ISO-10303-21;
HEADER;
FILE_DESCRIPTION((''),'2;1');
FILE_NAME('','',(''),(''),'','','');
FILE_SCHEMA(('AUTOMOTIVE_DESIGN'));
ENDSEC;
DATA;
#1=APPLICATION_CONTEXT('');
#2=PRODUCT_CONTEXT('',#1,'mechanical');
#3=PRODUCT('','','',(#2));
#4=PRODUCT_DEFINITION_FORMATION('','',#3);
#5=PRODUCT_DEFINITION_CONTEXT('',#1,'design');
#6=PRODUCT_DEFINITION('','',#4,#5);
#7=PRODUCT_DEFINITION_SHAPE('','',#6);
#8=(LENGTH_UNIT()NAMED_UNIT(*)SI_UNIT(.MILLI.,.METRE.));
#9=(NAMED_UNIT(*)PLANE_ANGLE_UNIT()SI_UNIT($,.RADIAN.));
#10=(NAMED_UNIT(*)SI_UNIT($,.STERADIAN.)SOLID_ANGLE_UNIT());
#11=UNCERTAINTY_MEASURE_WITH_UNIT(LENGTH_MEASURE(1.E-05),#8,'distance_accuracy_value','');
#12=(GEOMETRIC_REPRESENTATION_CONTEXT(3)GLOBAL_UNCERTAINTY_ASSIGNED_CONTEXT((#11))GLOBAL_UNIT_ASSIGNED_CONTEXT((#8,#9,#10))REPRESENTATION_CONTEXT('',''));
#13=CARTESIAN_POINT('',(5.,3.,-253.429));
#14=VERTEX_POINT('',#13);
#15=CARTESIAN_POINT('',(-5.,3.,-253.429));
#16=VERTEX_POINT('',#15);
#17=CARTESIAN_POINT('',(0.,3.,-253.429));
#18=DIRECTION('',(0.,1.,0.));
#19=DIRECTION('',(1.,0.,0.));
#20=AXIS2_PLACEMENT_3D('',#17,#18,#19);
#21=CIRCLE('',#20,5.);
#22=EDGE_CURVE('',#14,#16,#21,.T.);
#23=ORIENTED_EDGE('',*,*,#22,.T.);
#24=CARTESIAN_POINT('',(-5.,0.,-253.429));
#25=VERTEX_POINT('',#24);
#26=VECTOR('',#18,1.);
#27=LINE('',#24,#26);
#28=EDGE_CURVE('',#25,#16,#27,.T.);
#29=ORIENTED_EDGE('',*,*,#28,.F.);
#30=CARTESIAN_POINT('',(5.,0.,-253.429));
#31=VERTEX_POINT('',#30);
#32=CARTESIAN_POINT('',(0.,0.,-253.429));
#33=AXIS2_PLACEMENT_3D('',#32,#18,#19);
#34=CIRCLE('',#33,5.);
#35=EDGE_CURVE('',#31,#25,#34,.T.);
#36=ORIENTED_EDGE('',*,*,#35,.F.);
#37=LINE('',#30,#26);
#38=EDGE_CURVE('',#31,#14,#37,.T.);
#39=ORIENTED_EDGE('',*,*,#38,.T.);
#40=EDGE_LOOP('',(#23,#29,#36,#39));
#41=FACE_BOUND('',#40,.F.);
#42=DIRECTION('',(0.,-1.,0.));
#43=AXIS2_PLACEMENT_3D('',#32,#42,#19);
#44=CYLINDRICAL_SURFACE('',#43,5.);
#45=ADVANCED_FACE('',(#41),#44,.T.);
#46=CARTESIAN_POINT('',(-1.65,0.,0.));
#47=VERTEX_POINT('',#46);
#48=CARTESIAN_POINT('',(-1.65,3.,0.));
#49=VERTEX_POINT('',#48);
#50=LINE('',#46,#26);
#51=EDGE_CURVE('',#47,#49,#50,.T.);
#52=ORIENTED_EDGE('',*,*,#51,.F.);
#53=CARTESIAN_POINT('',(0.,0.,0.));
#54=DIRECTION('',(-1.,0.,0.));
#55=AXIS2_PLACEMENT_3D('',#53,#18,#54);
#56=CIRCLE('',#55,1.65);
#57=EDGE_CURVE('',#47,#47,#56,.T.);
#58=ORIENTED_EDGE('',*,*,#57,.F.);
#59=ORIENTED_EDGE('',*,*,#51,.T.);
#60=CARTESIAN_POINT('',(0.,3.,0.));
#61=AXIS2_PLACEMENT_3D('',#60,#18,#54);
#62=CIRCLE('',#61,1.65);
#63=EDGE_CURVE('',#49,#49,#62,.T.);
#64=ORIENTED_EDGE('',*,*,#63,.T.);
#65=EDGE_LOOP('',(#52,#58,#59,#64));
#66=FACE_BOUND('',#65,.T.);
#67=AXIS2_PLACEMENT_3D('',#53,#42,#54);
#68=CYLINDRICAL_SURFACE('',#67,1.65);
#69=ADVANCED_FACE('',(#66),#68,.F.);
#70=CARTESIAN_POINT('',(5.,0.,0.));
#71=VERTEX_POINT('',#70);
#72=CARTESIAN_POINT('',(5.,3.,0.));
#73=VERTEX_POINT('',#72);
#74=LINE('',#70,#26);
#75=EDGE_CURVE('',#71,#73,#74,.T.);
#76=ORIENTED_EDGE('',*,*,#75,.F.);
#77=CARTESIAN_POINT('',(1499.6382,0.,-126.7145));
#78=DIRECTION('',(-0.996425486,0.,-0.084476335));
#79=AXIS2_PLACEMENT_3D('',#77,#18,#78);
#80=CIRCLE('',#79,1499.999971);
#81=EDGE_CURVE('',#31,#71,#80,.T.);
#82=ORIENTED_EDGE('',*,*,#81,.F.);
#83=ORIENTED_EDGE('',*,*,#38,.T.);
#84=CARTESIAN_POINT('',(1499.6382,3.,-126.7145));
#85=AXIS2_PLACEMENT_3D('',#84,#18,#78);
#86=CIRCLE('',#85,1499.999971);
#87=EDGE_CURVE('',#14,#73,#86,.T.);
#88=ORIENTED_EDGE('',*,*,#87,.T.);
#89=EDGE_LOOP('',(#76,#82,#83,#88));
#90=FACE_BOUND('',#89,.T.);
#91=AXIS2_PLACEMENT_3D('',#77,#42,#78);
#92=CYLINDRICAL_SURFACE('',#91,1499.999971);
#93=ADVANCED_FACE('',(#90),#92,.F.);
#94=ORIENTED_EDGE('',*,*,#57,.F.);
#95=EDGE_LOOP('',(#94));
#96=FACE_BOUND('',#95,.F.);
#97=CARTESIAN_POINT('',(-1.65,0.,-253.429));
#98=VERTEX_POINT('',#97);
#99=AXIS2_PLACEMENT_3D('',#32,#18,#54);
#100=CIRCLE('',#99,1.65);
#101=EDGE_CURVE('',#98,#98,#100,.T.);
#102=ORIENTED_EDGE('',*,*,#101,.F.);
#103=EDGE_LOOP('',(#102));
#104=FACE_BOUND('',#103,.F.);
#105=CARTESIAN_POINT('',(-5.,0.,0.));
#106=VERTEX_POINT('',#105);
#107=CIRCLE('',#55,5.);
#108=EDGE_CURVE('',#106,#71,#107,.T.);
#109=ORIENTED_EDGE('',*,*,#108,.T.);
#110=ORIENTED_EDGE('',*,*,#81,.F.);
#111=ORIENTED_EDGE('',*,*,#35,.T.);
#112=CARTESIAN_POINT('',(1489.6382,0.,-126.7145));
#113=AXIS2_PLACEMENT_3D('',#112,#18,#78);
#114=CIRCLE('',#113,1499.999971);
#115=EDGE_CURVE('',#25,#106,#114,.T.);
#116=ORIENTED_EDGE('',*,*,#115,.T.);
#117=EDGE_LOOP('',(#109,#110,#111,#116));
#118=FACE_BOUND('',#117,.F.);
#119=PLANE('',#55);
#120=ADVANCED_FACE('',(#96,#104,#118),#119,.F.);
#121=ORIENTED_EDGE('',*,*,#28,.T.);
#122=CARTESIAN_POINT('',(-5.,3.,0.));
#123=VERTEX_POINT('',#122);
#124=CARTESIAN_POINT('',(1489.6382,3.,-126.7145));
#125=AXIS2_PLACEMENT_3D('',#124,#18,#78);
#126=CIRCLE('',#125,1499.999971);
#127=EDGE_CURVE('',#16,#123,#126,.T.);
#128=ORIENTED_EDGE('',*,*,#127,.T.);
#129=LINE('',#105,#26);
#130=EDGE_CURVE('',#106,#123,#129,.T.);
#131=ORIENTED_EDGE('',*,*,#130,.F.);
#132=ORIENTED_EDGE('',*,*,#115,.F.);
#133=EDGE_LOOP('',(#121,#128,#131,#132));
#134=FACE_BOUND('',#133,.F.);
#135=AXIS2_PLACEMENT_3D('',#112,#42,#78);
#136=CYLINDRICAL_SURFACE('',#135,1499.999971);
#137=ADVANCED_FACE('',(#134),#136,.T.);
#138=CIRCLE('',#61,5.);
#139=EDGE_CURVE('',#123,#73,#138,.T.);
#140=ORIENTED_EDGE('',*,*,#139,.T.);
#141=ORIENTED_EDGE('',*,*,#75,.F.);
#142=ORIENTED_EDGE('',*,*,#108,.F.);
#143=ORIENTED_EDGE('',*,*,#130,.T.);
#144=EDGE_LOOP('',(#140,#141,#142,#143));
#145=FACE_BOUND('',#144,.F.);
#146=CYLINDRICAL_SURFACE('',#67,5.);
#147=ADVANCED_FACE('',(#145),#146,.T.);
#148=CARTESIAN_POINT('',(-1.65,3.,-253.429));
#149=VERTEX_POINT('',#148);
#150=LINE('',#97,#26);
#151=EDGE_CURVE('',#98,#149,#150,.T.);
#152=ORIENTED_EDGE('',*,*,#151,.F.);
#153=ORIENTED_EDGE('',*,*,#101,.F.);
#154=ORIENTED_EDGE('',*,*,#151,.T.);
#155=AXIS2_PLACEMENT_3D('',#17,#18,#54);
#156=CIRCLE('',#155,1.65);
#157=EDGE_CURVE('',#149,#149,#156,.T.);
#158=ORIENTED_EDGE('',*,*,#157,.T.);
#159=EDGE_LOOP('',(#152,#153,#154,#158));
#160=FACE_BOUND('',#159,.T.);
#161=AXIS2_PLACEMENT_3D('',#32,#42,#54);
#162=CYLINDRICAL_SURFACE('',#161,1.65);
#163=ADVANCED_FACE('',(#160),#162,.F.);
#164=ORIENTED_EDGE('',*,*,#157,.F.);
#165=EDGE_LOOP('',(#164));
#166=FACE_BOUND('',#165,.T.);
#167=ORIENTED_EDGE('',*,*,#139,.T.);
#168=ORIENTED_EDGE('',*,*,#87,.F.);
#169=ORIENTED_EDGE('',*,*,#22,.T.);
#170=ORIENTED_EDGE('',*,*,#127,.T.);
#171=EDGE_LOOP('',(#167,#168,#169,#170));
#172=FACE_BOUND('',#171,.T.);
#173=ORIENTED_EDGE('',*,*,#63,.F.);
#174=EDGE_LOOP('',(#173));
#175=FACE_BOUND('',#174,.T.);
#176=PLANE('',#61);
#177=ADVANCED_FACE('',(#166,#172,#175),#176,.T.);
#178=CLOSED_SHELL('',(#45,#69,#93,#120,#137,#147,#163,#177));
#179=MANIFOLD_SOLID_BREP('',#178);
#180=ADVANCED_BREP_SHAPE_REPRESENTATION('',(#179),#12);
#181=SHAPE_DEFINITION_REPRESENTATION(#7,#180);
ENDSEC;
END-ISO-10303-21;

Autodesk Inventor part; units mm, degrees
ref_plane "YZ Plane" through (0, 0, 0) normal (1, 0, 0) x (0, 1, 0)
ref_plane "XZ Plane" through (0, 0, 0) normal (0, 1, 0) x (-1, 0, 0)
ref_plane "XY Plane" through (0, 0, 0) normal (0, 0, 1) x (1, 0, 0)
sketch "Sketch1" plane through (0, 0, 0) normal (0, 1, 0) x (-1, 0, 0)
  line L0 (0, 0) -> (0, -253.429) construction
  line L1 (5, 0) -> (5, -253.429)
  line L2 (-5, -253.429) -> (-5, 0)
  arc A0 (5, 0) -> (-5, 0) centre (0, 0) ccw
  arc A1 (-5, -253.429) -> (5, -253.429) centre (0, -253.429) ccw
  circle A2 centre (0, 0) radius 1.65
  circle A3 centre (0, -253.429) radius 1.65
  arc A4 (5, -253.429) -> (5, 0) centre (-1489.6382, -126.7145) ccw
  arc A5 (-5, -253.429) -> (-5, 0) centre (-1499.6382, -126.7145) ccw
  point P0 (0, -126.7145)
  dimension "d0" = 3.3
  dimension "d1" = 3.3
  dimension "d2" = 10
  dimension "d3" = 253.429
  dimension "d16" = 1500
  dimension "d17" = 1500
extrude "Extrusion1" add sketch "Sketch1" along normal blind 3 contours A4 L1 | L1 A1 A5 A0
